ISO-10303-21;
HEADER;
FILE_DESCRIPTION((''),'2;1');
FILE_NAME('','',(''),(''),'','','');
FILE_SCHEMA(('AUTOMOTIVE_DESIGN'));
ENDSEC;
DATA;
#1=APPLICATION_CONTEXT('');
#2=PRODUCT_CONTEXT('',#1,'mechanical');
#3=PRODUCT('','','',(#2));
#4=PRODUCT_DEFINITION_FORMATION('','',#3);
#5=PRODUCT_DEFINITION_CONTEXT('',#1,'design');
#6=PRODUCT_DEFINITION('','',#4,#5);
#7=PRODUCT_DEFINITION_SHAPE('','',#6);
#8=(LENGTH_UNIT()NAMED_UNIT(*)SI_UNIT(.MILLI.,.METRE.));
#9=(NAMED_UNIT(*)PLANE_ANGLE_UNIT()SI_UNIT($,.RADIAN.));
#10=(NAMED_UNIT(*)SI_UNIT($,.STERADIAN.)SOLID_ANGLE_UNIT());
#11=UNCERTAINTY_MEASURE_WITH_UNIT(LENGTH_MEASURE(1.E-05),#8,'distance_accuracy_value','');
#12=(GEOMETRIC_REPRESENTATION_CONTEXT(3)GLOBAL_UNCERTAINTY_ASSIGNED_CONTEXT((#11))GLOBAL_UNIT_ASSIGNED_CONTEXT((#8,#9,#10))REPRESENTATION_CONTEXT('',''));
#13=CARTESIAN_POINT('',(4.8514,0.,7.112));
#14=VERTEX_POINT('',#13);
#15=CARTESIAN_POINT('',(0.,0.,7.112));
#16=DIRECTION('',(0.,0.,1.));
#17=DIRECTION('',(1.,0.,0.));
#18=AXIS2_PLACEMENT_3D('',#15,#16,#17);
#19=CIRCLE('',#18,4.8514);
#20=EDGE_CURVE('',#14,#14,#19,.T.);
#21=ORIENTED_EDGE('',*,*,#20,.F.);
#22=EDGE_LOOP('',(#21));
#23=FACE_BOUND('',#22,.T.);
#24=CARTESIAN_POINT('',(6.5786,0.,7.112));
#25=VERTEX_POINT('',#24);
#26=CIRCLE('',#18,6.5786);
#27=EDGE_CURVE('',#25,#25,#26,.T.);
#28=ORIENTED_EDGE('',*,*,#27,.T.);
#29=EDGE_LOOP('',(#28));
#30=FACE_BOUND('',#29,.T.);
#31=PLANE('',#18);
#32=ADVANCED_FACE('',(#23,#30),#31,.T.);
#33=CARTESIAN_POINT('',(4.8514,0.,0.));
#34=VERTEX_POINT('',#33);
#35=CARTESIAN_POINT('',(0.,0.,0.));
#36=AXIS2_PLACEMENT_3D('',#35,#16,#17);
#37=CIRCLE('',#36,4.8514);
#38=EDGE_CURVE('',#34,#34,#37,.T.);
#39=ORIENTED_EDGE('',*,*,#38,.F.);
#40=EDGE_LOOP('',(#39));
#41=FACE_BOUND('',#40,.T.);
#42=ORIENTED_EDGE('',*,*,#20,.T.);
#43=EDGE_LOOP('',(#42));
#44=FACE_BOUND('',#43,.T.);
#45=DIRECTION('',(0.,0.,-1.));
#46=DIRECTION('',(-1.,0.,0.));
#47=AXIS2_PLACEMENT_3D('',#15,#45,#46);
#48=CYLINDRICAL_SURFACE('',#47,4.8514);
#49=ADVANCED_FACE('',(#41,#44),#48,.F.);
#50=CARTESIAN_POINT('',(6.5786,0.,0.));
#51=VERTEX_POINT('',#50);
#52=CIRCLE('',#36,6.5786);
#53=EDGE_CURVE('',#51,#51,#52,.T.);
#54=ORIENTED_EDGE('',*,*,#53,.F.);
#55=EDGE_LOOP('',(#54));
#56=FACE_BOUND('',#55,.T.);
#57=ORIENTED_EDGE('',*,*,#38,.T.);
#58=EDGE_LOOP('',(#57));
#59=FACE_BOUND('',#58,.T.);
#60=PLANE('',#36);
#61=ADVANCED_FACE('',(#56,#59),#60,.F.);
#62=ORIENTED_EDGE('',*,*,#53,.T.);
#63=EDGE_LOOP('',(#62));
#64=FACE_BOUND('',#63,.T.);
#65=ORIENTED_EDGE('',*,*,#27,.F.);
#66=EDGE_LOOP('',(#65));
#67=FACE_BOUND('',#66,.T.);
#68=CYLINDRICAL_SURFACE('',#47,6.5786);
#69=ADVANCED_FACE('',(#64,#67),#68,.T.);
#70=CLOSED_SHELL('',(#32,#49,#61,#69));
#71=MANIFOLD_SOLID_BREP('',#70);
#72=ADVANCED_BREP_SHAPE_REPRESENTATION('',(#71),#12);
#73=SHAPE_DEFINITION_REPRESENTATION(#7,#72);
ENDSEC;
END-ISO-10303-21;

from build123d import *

# Parameters (mm, degrees)
SKETCH1_R           = 6.5786
SKETCH1_R_2         = 4.8514
BOSS_EXTRUDE1_DEPTH = 7.112


with BuildPart() as part:
    # Sketch1 → Boss-Extrude1 (new body)
    with BuildSketch(Plane.XY):
        Circle(SKETCH1_R)
        Circle(SKETCH1_R_2, mode=Mode.SUBTRACT)
    extrude(amount=BOSS_EXTRUDE1_DEPTH)


solid = part.part
